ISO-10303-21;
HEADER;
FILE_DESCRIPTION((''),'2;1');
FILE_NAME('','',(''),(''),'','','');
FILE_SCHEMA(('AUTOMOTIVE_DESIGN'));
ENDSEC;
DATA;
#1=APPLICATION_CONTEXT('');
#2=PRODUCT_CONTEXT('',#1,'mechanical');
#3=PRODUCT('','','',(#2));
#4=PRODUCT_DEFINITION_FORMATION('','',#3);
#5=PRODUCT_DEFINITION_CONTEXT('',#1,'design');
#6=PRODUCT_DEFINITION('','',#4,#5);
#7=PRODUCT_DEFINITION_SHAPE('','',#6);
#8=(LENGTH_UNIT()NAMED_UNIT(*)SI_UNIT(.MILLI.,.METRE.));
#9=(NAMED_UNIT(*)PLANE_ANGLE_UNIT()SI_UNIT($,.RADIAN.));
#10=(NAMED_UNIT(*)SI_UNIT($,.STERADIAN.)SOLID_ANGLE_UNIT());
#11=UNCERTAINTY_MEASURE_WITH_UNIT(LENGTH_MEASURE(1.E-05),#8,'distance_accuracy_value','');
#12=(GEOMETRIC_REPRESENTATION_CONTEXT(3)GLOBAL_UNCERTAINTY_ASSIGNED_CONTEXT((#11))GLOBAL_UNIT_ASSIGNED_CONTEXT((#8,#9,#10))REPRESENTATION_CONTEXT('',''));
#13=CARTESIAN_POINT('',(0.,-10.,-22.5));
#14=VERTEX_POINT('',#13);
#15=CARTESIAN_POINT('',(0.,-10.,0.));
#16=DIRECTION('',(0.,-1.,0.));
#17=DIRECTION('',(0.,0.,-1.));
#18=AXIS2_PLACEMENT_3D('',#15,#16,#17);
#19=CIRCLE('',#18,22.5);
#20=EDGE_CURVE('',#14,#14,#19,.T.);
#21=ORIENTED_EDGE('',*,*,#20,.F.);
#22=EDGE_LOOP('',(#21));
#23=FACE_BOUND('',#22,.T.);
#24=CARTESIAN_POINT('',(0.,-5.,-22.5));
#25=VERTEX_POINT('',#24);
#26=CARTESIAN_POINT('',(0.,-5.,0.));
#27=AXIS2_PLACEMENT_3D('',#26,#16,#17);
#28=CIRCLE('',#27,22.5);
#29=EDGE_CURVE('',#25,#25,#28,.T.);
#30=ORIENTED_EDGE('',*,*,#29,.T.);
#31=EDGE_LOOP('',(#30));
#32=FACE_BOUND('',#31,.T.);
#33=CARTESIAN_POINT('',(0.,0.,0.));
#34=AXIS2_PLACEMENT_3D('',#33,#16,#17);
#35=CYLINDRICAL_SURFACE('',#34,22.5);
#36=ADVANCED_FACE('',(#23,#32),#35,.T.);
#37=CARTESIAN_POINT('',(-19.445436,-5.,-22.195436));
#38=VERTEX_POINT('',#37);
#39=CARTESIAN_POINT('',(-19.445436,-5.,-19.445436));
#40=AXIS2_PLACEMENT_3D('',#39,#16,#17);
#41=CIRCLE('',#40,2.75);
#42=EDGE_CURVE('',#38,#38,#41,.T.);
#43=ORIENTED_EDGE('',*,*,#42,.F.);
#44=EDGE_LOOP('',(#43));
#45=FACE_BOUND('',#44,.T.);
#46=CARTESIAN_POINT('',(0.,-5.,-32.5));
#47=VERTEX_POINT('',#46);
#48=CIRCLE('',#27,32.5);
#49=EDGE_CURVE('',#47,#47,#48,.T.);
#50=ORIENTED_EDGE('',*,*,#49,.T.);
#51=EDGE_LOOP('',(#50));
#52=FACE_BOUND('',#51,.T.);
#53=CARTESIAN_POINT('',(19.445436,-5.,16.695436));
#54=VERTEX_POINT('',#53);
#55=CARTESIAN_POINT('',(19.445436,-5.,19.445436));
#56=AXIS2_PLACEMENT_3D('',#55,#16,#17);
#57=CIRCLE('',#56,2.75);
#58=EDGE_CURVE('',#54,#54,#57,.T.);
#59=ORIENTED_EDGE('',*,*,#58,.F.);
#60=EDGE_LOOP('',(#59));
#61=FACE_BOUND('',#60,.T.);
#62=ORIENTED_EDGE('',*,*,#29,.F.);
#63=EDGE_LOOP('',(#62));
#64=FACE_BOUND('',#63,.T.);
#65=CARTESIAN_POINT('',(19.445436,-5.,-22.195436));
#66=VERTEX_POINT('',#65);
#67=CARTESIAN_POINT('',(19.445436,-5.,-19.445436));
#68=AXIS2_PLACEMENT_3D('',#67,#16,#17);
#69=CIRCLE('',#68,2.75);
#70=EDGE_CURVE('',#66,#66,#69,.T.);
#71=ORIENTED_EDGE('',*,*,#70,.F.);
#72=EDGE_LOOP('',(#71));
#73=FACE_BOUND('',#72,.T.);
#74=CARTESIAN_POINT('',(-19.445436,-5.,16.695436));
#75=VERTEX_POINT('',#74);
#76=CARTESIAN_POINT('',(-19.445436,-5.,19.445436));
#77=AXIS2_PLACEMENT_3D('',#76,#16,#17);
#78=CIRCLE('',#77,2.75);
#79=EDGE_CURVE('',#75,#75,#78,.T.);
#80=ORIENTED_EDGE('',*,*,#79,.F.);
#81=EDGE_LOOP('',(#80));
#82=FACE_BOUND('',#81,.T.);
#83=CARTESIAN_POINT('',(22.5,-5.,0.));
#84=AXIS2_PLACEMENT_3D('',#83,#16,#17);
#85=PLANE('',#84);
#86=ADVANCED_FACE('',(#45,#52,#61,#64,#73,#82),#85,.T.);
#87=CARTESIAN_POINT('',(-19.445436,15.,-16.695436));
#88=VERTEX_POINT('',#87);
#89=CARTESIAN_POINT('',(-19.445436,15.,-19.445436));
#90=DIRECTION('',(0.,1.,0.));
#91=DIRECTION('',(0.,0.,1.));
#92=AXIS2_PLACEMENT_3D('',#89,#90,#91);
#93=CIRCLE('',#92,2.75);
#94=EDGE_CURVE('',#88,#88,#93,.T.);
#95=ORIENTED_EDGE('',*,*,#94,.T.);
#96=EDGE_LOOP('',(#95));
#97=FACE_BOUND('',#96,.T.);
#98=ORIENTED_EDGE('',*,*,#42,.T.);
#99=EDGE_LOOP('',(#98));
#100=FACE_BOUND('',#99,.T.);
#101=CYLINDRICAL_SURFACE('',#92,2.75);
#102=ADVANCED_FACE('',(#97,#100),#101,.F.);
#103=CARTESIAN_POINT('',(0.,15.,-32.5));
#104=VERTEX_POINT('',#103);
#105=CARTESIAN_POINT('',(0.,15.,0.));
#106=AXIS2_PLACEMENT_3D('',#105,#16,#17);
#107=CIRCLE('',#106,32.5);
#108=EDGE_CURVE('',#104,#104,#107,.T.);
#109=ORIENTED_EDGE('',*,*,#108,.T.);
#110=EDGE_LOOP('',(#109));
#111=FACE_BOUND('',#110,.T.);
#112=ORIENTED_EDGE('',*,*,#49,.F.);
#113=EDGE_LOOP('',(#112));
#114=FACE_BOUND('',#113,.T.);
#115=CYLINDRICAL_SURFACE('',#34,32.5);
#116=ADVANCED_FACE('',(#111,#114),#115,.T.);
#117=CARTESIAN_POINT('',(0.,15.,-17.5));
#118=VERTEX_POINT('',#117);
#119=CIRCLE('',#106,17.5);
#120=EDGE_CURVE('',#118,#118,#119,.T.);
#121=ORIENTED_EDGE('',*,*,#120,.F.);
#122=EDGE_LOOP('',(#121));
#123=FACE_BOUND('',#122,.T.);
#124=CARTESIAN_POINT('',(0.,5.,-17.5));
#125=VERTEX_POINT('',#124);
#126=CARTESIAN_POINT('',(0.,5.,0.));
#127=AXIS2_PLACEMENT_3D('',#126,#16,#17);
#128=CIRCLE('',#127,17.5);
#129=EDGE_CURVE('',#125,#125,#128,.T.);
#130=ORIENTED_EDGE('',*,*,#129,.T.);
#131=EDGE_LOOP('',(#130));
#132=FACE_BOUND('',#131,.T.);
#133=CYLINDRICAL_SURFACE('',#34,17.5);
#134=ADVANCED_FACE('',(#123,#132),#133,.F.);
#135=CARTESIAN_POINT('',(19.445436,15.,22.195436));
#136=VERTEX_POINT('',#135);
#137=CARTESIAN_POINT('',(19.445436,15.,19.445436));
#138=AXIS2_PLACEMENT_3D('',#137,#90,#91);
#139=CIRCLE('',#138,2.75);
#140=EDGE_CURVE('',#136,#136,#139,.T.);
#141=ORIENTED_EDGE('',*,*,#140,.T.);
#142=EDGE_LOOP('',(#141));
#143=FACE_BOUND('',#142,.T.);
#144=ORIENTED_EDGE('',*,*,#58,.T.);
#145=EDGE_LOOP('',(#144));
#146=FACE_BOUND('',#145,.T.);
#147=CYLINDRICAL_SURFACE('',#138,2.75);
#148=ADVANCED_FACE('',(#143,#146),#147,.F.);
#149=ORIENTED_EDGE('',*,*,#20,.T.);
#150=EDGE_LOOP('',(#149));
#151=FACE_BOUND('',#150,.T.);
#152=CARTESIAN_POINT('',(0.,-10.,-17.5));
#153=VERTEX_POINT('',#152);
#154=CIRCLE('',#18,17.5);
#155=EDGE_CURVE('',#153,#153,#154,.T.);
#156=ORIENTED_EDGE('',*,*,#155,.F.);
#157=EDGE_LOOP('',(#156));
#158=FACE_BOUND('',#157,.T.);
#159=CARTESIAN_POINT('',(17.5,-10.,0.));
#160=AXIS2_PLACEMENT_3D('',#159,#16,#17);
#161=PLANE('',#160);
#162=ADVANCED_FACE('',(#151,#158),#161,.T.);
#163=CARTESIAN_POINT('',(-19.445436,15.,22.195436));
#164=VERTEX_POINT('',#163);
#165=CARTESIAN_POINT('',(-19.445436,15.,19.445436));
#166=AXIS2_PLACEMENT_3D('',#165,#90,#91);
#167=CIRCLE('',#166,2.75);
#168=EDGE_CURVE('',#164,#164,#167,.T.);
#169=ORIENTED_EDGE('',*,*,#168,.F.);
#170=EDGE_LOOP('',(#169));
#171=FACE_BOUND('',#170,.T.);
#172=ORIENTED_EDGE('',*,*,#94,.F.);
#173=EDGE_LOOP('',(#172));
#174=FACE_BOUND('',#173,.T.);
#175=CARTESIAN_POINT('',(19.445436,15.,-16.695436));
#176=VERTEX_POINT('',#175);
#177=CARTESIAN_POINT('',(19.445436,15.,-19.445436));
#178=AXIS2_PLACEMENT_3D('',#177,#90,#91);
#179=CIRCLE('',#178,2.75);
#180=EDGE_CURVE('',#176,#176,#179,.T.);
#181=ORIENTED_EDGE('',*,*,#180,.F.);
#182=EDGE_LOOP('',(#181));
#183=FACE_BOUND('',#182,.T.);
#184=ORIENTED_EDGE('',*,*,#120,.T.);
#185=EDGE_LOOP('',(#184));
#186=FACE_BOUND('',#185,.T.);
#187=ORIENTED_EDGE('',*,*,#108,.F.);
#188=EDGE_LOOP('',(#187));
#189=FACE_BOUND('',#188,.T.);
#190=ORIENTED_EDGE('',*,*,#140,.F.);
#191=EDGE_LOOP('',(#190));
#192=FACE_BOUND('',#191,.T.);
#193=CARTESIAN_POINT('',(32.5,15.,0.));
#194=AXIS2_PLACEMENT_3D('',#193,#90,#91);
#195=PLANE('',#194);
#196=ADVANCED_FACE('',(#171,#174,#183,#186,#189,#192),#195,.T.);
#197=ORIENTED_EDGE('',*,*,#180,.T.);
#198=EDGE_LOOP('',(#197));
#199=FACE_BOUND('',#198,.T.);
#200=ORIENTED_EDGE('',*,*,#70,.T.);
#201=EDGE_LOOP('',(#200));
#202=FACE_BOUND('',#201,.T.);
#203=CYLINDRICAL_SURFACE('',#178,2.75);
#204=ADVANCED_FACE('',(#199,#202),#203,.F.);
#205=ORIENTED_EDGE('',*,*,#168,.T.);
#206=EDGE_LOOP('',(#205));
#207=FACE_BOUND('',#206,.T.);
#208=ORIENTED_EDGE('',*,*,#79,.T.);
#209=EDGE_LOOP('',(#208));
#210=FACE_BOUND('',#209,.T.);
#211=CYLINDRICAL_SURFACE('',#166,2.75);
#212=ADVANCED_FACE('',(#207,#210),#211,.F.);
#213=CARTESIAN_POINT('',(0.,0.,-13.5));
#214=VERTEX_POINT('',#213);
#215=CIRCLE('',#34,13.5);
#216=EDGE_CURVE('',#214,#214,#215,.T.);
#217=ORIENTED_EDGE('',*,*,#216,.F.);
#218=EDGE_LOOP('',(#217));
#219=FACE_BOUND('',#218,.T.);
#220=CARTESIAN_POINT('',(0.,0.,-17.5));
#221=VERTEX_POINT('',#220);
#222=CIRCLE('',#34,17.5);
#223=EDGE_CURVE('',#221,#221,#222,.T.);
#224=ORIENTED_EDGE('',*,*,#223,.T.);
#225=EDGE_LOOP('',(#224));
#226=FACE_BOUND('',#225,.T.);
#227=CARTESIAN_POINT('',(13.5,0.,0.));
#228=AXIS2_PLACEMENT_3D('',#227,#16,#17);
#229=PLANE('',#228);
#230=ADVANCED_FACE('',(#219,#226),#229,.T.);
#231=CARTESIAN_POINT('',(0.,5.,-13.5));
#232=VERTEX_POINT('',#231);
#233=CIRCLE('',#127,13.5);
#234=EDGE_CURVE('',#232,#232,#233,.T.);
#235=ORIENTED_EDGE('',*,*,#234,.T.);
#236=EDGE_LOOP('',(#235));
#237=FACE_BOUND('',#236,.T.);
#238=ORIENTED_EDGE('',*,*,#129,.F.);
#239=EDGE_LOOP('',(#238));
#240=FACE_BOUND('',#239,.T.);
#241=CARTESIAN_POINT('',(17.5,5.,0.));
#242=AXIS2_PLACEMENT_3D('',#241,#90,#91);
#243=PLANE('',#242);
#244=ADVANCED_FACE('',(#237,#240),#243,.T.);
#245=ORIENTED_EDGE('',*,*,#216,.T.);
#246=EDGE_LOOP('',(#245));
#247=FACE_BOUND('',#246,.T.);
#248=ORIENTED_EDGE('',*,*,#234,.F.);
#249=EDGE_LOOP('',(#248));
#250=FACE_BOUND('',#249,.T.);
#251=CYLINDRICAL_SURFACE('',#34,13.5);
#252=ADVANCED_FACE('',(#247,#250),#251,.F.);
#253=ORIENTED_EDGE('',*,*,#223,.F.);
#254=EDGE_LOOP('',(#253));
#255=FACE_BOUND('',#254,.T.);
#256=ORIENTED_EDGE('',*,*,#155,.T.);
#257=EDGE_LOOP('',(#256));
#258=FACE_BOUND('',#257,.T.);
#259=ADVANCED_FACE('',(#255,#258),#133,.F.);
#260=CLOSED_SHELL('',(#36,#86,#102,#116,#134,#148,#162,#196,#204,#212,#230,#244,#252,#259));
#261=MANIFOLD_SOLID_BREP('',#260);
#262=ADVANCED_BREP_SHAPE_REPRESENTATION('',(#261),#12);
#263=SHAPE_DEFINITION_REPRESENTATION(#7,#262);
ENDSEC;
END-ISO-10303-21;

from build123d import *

# Parameters (mm, degrees)
HOLE_WIZARD_M51_D = 5.5


with BuildPart() as part:
    # Эскиз1 → Повернуть1 (revolve)
    with BuildSketch(Plane.XY, mode=Mode.PRIVATE) as revolve_1_sk:
        Polygon((13.5, 5), (13.5, 0), (17.5, 0), (17.5, -10), (22.5, -10), (22.5, -5), (32.5, -5), (32.5, 15), (17.5, 15), (17.5, 5), align=None)
    revolve(revolve_1_sk.sketch.rotate(Axis((0, 0, 0), (0, 1, 0)), 90), axis=Axis((0, 0, 0), (0, 1, 0)))

    # Отверстие с зазором M51 (through all)
    with Locations(Plane(origin=(0, 15, 0), x_dir=(-1, 0, 0), z_dir=(0, 1, 0))):
        with Locations((19.445436483, 19.445436483), (19.445436483, -19.445436483), (-19.445436483, -19.445436483), (-19.445436483, 19.445436483)):
            Hole(HOLE_WIZARD_M51_D / 2)


solid = part.part
